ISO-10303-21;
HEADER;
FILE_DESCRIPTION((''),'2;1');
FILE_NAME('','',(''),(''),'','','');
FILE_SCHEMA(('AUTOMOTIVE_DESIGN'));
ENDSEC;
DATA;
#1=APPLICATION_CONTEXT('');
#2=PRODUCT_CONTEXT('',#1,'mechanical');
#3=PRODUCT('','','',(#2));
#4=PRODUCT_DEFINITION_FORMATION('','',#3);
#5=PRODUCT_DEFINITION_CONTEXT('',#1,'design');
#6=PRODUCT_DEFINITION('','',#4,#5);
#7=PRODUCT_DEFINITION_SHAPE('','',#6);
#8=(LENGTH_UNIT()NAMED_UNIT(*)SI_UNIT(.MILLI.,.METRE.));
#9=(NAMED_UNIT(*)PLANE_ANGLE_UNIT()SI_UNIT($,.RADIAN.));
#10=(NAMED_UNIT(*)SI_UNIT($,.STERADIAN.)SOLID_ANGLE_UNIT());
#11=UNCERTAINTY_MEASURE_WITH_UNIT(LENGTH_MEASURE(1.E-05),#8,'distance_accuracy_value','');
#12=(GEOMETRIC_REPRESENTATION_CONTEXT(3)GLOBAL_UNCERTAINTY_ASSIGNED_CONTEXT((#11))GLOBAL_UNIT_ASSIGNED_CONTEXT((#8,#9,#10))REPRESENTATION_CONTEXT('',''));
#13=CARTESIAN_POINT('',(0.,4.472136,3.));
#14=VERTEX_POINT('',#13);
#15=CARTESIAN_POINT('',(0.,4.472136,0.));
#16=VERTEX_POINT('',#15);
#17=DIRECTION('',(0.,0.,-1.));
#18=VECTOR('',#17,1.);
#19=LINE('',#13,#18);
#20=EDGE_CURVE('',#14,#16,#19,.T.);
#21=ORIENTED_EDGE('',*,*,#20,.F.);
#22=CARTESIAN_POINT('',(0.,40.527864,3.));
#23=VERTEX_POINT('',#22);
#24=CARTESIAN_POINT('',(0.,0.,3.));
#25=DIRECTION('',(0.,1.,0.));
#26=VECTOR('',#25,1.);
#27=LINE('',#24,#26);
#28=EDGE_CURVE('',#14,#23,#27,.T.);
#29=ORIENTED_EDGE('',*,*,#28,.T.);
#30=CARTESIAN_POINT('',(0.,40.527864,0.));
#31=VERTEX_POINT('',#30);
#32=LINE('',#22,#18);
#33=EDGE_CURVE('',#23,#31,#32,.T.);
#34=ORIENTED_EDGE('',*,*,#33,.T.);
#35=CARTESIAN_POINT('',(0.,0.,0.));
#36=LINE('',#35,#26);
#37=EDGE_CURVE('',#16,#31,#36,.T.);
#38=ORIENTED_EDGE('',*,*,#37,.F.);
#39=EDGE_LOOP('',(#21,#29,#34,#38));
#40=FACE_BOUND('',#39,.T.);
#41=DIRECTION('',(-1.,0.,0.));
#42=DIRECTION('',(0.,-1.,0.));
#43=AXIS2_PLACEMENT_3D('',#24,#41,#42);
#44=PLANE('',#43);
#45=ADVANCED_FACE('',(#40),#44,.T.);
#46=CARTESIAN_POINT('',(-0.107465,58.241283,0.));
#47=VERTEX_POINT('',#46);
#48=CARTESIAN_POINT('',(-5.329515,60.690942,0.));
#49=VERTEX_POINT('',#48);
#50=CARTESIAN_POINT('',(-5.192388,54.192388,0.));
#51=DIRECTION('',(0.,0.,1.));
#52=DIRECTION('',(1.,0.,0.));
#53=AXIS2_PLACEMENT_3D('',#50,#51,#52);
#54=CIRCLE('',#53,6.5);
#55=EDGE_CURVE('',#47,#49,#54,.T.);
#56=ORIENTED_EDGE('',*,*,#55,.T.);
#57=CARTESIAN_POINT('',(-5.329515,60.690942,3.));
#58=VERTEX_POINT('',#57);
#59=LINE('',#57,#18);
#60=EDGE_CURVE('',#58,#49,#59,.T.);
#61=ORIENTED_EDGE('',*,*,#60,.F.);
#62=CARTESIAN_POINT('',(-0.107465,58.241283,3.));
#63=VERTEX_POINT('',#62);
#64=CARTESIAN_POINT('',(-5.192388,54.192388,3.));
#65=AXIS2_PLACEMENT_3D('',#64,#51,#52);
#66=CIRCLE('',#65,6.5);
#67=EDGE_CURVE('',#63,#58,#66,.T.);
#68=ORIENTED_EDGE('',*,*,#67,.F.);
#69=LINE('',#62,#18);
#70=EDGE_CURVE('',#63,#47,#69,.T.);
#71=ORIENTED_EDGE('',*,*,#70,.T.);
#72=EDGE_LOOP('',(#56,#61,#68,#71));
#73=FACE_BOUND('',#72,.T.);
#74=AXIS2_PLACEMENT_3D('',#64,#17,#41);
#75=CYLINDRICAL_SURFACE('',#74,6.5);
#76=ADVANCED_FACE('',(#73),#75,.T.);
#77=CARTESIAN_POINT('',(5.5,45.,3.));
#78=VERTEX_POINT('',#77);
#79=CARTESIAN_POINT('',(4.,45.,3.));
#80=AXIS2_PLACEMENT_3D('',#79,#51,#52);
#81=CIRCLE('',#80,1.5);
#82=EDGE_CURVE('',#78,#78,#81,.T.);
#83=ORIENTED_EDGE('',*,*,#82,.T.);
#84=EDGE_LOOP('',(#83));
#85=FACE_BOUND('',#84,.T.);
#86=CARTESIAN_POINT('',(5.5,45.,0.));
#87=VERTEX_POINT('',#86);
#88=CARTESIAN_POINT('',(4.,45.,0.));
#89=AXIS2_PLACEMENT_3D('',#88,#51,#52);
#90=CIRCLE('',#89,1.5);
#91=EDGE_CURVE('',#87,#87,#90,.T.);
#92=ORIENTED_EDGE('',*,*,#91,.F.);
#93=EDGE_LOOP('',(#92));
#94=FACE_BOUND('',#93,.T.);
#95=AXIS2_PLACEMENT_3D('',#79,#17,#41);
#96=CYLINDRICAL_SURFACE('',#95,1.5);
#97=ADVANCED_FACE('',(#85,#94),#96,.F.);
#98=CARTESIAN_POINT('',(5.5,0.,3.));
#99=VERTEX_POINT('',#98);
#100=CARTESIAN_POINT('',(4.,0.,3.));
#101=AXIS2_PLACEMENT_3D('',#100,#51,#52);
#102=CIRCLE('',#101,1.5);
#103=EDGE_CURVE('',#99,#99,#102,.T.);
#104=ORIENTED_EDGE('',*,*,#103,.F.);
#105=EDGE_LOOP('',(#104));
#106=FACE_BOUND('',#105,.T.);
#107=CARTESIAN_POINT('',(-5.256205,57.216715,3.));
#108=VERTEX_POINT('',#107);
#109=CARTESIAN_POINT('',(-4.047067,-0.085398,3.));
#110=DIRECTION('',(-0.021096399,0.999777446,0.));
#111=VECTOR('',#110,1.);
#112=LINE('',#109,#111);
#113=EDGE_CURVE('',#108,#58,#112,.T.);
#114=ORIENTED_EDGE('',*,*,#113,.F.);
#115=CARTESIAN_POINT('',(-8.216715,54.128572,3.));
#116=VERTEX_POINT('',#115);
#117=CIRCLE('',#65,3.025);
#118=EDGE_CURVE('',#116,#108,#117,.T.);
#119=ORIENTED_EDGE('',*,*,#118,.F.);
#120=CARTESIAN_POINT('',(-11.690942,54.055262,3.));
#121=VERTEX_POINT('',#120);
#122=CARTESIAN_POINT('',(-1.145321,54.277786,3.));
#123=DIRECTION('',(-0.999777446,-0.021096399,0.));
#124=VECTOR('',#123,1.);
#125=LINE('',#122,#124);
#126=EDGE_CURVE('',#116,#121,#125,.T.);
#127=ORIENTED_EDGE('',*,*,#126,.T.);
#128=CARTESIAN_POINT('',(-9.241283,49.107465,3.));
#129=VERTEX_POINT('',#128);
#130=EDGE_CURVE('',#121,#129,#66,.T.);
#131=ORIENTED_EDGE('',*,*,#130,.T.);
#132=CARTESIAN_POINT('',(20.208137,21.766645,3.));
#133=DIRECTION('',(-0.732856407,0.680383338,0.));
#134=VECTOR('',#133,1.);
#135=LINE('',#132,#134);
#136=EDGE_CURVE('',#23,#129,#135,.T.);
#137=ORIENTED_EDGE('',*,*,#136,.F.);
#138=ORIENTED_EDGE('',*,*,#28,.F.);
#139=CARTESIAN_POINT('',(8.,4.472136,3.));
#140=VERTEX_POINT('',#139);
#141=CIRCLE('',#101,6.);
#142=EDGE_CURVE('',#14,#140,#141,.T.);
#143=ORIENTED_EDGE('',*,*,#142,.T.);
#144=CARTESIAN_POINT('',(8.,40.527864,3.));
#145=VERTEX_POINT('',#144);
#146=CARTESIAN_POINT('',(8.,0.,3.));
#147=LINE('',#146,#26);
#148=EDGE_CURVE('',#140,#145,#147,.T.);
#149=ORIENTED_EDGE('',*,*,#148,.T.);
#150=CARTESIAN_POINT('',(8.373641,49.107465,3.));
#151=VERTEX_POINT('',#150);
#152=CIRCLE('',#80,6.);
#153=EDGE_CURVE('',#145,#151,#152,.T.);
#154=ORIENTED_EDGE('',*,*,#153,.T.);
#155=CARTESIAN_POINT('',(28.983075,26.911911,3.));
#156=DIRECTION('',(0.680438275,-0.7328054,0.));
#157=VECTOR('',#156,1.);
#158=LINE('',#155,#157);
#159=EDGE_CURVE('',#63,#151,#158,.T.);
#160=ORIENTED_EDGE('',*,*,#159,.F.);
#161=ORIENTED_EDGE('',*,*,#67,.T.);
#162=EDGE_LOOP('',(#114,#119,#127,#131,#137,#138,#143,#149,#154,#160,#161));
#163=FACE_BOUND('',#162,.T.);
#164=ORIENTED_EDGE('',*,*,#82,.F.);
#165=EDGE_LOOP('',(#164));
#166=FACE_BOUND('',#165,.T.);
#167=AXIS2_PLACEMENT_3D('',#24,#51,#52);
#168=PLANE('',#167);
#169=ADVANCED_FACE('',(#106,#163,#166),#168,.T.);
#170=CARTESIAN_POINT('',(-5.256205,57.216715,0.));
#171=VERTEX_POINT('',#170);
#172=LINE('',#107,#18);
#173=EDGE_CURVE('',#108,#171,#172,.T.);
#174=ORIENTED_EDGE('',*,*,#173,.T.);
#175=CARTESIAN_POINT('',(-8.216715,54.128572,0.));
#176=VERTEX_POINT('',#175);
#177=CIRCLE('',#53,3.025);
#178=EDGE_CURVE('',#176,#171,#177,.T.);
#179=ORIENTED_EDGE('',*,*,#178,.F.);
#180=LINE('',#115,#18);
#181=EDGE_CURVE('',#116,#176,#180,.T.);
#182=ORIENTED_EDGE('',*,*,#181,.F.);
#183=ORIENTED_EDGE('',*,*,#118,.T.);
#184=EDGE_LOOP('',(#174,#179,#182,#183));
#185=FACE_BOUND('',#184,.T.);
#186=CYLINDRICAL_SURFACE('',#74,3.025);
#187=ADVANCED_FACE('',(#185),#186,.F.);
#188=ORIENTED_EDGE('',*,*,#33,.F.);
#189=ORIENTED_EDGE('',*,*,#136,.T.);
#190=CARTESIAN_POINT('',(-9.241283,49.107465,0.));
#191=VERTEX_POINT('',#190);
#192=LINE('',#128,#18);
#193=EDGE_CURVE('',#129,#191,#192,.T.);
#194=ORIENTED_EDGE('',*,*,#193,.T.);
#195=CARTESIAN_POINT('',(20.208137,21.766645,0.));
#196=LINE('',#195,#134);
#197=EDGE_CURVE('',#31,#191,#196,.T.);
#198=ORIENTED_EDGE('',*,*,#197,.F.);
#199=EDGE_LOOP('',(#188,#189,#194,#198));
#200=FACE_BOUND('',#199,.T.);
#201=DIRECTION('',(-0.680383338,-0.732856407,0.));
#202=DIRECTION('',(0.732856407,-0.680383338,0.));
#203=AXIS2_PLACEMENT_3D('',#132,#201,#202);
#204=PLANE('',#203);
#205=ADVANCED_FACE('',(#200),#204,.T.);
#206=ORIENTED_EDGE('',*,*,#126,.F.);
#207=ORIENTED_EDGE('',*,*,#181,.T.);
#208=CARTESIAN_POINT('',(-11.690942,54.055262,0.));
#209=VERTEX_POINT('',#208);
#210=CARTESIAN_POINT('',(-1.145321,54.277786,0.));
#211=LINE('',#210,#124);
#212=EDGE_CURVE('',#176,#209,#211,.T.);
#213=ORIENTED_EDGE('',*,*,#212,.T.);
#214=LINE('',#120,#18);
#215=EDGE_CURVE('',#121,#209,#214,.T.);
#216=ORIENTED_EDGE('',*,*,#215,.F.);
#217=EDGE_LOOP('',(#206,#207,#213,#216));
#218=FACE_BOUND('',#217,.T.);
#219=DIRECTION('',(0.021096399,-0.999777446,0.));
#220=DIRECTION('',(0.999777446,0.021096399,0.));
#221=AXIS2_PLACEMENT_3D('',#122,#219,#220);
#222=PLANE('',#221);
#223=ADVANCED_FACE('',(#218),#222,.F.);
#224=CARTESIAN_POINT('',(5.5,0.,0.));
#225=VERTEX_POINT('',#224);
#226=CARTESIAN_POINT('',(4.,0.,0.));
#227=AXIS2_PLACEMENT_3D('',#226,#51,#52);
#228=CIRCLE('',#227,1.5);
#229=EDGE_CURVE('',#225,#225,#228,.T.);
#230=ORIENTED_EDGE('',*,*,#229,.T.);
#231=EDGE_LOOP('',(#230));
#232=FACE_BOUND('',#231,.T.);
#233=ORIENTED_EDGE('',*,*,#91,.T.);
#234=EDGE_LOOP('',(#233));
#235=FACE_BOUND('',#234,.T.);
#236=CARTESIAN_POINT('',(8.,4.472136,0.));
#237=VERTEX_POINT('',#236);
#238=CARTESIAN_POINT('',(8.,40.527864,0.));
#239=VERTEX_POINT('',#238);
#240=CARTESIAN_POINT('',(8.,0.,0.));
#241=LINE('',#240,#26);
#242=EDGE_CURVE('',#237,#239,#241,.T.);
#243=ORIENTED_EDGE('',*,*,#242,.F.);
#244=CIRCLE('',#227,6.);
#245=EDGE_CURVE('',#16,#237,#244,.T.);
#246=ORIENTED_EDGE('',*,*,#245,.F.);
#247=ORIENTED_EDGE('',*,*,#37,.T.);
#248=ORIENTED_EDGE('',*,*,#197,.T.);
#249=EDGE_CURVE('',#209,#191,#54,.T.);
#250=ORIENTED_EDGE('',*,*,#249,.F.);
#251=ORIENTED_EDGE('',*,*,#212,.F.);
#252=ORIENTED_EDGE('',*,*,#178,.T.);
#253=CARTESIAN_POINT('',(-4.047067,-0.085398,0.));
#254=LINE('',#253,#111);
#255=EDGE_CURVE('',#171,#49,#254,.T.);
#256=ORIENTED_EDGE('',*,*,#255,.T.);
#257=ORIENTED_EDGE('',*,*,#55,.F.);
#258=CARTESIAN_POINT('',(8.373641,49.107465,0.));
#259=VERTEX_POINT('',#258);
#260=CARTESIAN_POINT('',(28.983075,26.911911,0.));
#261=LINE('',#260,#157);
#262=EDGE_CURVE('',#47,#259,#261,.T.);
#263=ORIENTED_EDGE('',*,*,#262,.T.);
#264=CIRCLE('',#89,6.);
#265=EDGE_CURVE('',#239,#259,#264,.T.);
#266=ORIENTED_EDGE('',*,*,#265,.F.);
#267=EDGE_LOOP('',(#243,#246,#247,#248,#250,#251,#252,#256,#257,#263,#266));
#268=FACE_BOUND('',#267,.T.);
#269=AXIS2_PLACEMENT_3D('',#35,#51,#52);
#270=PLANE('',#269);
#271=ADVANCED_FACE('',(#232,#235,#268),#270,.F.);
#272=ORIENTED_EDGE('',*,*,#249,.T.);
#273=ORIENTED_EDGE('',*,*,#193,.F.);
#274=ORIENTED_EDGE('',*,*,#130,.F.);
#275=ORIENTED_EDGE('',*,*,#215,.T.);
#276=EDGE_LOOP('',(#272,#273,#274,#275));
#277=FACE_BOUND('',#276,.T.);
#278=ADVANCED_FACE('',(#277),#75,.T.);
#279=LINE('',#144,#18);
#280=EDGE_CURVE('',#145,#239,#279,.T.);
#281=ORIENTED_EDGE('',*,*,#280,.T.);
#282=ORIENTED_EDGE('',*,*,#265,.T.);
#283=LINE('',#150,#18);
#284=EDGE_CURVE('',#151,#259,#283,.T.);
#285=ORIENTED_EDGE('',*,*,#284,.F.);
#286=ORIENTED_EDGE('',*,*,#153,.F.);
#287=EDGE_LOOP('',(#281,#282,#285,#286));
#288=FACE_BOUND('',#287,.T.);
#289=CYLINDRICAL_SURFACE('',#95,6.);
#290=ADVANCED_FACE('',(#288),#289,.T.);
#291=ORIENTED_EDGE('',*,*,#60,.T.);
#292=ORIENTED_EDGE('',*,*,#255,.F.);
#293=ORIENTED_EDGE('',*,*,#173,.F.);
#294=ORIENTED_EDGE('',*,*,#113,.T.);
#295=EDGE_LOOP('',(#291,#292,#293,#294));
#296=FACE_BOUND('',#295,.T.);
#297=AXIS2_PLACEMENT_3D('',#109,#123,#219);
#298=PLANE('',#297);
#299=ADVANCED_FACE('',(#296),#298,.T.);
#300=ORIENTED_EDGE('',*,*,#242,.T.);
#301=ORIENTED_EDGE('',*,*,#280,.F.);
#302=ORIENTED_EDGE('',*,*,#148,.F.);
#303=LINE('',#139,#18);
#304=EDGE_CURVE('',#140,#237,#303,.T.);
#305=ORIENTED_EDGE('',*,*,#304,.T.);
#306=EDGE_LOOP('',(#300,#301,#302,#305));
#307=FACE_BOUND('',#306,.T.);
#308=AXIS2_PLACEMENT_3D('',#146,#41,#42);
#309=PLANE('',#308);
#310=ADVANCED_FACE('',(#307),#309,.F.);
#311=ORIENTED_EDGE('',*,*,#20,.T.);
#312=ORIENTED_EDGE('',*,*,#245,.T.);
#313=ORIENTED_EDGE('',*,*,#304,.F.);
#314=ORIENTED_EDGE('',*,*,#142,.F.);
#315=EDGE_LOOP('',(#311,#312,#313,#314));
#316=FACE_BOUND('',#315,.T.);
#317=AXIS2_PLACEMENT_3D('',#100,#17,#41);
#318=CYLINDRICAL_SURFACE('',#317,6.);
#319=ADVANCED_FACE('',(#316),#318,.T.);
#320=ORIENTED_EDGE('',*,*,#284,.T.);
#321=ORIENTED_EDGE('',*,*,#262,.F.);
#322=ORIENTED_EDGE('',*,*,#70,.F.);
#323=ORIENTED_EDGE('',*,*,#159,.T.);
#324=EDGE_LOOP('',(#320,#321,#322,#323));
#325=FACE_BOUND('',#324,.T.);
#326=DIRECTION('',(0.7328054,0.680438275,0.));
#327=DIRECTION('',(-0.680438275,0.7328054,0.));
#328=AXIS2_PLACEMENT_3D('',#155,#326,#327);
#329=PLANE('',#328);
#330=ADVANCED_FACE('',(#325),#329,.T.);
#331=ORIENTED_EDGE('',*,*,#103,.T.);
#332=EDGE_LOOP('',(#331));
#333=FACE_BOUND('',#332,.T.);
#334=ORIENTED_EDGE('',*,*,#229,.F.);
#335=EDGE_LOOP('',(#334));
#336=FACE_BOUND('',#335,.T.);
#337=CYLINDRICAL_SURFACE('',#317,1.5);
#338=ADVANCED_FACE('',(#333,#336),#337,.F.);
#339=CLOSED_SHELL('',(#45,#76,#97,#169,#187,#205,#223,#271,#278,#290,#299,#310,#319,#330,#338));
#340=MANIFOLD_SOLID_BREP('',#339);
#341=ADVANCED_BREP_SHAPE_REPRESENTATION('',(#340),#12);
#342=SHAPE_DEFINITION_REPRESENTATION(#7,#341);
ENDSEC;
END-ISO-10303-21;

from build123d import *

# Parameters (mm, degrees)
ESQUISSE1_R        = 1.5
BOSS_EXTRU_1_DEPTH = 3


with BuildPart() as part:
    # Esquisse1 → Boss.-Extru.1 (new body)
    with BuildSketch(Plane.XY):
        with BuildLine():
            Line((0, 40.527864045), (0, 4.472135955))
            ThreePointArc((0, 4.472135955), (4, -6), (8, 4.472135955))
            Line((8, 4.472135955), (8, 40.527864045))
            ThreePointArc((8, 40.527864045), (9.994318296, 44.738947964), (8.373640852, 49.107464631))
            Line((8.373640852, 49.107464631), (-0.107464631, 58.241283406))
            ThreePointArc((-0.107464631, 58.241283406), (-2.431884599, 60.07708187), (-5.329514747, 60.690941556))
            Line((-5.329514747, 60.690941556), (-5.256204762, 57.21671493))
            ThreePointArc((-5.256204762, 57.21671493), (-3.098991339, 56.376035281), (-2.168061381, 54.256204762))
            ThreePointArc((-2.168061381, 54.256204762), (-5.128571549, 51.168061381), (-8.21671493, 54.128571549))
            Line((-8.21671493, 54.128571549), (-11.690941556, 54.055261564))
            ThreePointArc((-11.690941556, 54.055261564), (-11.017535525, 51.308353115), (-9.241283406, 49.107464631))
            Line((-9.241283406, 49.107464631), (-0.163194172, 40.679373392))
            Line((-0.163194172, 40.679373392), (0, 40.527864045))
        make_face()
        with Locations((4, 0)):
            Circle(ESQUISSE1_R, mode=Mode.SUBTRACT)
        with Locations((4, 45)):
            Circle(ESQUISSE1_R, mode=Mode.SUBTRACT)
    extrude(amount=BOSS_EXTRU_1_DEPTH)


solid = part.part
